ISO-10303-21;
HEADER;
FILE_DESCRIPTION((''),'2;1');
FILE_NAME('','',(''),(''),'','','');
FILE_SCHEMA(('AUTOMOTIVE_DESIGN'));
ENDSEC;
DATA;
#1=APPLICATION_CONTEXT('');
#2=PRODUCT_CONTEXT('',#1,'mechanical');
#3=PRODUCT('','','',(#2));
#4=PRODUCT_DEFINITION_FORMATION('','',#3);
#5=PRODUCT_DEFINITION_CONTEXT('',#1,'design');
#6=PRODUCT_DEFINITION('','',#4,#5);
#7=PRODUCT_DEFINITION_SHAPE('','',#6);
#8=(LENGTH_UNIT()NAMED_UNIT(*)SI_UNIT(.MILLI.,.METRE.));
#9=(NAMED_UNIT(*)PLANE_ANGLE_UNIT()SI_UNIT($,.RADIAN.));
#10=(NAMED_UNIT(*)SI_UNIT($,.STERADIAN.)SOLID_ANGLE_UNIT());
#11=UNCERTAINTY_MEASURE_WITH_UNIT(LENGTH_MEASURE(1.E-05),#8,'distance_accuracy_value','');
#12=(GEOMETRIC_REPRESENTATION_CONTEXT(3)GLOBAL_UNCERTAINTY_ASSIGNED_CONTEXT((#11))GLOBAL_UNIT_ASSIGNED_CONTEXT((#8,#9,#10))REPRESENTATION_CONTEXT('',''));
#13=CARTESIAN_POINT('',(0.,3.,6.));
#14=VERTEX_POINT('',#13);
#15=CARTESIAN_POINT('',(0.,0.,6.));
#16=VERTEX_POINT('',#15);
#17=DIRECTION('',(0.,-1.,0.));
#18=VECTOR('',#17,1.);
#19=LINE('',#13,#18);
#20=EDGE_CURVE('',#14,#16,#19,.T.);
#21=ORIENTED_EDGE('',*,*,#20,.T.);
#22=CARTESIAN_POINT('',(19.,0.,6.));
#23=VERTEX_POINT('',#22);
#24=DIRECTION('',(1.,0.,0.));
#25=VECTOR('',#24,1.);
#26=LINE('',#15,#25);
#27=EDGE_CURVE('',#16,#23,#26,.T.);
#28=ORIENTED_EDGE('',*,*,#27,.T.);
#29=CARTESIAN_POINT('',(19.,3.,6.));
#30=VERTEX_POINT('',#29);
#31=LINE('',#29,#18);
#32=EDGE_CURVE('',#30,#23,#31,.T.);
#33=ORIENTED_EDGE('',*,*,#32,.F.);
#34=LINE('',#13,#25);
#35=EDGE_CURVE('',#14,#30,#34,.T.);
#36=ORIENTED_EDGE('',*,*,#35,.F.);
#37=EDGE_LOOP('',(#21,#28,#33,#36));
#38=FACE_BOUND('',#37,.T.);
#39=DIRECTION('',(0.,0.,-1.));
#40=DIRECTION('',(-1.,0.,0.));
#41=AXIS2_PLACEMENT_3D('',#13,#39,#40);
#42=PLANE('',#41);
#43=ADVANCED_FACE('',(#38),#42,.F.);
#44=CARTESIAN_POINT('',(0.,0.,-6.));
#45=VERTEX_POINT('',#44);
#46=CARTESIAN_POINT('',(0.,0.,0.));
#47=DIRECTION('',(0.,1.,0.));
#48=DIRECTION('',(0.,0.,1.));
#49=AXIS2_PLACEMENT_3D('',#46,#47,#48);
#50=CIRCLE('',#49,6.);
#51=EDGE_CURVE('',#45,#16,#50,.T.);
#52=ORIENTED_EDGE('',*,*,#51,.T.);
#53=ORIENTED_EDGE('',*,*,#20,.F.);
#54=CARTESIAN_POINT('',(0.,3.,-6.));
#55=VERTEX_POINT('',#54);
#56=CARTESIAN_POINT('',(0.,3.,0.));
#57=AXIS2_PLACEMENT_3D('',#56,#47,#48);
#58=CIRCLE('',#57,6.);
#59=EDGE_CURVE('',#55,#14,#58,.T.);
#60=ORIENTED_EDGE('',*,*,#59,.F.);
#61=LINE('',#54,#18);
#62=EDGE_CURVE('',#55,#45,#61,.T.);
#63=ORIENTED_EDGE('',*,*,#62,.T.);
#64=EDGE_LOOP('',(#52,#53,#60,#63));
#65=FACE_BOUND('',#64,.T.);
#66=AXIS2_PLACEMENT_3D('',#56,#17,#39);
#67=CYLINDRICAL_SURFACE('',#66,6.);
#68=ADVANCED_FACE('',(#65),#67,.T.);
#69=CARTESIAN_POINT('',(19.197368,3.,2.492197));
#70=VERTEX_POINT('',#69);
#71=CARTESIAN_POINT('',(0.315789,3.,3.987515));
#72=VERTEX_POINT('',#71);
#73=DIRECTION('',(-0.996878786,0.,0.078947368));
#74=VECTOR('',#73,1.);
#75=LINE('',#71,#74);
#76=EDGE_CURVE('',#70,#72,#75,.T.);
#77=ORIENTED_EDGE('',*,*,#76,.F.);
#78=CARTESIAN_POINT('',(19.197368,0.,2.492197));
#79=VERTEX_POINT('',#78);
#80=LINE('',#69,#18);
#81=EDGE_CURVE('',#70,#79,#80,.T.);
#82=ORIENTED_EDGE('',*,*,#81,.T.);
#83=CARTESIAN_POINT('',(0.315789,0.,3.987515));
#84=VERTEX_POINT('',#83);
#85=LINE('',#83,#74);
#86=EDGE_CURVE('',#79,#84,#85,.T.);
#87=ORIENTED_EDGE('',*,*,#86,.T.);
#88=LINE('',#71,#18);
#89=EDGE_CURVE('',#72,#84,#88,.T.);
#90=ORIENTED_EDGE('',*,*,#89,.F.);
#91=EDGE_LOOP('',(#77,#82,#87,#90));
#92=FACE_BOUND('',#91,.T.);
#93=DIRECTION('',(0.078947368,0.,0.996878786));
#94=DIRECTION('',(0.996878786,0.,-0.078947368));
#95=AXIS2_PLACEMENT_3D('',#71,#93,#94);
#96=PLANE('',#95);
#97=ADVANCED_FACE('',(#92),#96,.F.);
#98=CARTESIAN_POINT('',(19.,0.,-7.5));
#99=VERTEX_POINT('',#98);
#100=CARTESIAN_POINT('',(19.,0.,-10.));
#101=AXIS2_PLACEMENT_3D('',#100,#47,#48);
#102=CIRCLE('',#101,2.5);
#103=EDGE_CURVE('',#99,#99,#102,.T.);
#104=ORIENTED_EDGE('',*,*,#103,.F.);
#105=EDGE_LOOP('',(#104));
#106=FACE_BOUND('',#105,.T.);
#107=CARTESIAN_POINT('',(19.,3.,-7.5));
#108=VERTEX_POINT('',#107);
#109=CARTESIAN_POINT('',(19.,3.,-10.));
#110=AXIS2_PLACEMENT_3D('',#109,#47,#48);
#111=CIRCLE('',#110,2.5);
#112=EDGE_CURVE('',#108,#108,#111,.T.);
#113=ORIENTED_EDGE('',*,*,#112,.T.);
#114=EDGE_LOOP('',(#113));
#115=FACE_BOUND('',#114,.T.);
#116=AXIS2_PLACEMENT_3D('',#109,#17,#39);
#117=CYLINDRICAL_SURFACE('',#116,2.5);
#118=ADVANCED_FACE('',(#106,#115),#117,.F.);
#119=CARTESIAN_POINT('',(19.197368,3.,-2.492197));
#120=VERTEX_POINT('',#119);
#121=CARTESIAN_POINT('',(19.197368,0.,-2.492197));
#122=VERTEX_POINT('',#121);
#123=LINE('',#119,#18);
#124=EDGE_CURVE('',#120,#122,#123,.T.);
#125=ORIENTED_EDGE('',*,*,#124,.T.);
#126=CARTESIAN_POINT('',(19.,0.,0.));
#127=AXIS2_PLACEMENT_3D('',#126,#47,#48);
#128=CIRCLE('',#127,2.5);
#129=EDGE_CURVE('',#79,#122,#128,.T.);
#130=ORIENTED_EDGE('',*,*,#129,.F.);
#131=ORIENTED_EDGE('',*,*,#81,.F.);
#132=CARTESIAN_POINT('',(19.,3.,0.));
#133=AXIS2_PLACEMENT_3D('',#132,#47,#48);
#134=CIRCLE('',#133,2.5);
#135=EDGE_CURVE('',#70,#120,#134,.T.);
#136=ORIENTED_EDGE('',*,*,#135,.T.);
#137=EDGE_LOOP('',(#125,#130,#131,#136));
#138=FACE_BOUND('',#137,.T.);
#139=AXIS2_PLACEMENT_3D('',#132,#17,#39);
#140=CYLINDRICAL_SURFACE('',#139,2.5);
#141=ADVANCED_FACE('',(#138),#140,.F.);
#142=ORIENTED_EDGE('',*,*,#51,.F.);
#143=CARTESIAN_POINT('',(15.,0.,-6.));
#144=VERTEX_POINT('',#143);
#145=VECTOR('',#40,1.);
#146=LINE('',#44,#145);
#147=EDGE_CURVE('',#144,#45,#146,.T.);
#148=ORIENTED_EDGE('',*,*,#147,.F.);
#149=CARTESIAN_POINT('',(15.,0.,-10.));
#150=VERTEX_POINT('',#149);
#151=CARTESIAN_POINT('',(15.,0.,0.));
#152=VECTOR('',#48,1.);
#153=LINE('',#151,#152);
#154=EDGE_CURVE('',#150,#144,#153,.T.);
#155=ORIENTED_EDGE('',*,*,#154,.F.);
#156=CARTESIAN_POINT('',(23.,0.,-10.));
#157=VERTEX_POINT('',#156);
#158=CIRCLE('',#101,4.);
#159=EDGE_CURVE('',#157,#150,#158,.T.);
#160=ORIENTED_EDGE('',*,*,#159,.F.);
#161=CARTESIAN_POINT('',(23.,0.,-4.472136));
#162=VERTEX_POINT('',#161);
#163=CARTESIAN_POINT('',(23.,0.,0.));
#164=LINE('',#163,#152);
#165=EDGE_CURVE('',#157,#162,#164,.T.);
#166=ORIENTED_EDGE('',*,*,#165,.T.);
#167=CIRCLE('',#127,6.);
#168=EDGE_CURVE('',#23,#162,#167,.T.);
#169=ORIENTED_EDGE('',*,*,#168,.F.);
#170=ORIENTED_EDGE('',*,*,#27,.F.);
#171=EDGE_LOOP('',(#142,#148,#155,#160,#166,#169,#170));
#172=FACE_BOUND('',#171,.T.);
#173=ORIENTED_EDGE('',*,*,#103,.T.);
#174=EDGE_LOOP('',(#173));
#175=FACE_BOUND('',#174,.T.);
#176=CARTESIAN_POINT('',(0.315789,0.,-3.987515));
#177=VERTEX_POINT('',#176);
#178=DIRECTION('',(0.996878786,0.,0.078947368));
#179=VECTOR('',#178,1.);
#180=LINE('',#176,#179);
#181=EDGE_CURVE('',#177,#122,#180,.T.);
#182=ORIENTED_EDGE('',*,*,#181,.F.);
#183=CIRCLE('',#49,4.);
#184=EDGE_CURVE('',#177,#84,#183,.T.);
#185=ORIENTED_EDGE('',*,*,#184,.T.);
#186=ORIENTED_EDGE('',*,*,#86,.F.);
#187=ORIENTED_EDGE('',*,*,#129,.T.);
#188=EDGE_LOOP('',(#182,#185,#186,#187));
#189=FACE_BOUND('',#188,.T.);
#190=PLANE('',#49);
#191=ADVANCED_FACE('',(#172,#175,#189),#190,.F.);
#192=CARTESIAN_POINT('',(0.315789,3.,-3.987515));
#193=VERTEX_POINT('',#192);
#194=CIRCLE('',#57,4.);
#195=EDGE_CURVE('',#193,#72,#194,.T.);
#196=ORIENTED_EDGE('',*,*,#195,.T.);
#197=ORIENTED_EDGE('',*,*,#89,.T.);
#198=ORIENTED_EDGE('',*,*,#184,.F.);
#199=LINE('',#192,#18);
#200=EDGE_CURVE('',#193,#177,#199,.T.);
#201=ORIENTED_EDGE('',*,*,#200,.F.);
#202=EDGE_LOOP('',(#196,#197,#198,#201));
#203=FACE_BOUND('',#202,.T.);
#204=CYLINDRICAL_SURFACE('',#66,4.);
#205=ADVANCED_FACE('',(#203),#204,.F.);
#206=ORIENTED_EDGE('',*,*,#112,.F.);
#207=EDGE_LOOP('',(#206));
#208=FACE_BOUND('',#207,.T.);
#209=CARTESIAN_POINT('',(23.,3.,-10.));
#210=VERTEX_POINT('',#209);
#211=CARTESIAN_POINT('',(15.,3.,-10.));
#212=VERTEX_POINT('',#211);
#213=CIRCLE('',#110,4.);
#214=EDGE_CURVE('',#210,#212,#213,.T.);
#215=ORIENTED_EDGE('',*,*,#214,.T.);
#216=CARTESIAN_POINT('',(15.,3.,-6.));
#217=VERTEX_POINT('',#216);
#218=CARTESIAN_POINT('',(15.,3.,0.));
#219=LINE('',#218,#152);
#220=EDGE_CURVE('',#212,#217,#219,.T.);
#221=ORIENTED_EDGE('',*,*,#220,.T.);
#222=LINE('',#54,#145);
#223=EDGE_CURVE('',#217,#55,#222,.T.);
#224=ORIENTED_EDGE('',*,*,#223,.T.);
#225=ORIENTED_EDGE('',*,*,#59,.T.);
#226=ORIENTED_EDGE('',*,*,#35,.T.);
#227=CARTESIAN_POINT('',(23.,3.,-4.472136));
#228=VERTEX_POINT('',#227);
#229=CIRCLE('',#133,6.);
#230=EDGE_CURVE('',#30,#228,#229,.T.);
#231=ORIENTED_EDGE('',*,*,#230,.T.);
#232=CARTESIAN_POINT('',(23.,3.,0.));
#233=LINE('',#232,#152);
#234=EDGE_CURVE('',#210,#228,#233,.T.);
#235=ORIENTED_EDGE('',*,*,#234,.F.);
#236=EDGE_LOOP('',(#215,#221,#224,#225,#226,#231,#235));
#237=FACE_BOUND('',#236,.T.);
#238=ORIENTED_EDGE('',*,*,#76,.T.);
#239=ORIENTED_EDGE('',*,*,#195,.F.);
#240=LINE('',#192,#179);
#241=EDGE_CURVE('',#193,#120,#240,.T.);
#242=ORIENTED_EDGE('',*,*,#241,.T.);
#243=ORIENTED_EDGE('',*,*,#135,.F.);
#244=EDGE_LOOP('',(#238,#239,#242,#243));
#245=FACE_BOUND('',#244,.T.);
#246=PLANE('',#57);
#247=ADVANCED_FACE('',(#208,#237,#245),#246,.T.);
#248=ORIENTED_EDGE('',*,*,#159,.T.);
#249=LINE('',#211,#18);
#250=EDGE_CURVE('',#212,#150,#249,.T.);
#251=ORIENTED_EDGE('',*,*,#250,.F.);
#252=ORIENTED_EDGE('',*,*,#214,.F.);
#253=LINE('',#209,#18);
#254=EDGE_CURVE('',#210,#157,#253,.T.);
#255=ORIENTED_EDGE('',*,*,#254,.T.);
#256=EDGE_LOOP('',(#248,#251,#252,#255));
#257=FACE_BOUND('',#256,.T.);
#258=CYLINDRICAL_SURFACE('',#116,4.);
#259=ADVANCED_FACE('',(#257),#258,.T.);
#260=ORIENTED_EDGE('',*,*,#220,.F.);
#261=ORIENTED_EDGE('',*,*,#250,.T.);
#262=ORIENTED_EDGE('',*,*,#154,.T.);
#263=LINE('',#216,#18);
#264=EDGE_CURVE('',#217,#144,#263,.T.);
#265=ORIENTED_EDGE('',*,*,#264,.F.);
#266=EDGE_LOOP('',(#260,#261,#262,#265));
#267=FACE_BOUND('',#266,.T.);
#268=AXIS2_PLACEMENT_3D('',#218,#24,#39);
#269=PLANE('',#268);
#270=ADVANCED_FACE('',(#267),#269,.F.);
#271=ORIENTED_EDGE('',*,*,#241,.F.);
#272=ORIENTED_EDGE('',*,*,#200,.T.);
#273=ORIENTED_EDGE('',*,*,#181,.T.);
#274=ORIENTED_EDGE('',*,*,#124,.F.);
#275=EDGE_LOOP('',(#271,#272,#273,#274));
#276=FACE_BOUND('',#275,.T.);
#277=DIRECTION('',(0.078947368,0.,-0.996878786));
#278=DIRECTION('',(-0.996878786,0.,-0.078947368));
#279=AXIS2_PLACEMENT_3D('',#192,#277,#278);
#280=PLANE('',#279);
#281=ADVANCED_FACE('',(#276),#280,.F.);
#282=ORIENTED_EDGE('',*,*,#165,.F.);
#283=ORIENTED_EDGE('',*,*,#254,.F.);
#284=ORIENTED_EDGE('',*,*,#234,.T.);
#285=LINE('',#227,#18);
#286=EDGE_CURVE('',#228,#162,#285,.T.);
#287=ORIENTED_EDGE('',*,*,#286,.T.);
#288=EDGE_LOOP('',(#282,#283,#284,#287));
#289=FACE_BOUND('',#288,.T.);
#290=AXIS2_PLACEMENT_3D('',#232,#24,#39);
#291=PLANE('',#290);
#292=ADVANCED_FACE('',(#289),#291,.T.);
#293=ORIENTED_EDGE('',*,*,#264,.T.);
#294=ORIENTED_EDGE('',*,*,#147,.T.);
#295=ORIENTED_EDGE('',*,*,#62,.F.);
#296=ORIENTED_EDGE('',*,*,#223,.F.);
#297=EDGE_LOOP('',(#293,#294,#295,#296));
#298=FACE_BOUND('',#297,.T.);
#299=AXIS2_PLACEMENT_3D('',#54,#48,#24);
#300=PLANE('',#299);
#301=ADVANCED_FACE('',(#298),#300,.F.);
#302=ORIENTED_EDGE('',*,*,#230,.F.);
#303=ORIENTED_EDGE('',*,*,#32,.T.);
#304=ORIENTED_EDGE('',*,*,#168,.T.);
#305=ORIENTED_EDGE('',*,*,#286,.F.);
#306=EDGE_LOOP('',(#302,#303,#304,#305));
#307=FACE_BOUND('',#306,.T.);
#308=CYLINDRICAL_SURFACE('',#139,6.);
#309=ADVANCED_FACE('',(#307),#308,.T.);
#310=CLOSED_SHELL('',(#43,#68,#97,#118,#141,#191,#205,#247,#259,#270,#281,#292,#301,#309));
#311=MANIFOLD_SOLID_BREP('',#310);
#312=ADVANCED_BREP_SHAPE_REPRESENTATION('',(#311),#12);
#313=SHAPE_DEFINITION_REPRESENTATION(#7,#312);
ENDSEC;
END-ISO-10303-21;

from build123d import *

# Parameters (mm, degrees)
SKETCH_1_R      = 2.5
EXTRUDE_1_DEPTH = 3


with BuildPart() as part:
    # 草图1 → 凸台-拉伸1 (new body)
    with BuildSketch(Plane(origin=(0, 0, 0), x_dir=(1, 0, 0), z_dir=(0, 1, 0))):
        with BuildLine():
            ThreePointArc((19, -6), (24.605034154, -2.140932539), (23, 4.472135955))
            Line((23, 4.472135955), (23, 10))
            ThreePointArc((23, 10), (19, 14), (15, 10))
            Line((15, 10), (15, 6))
            Line((15, 6), (0, 6))
            ThreePointArc((0, 6), (-6, 0), (0, -6))
            Line((0, -6), (19, -6))
        make_face()
        with BuildLine():
            ThreePointArc((0.315789474, -3.987515142), (-4, 0), (0.315789474, 3.987515142))
            Line((0.315789474, 3.987515142), (19.197368421, 2.492196964))
            ThreePointArc((19.197368421, 2.492196964), (21.5, 0), (19.197368421, -2.492196964))
            Line((19.197368421, -2.492196964), (0.315789474, -3.987515142))
        make_face(mode=Mode.SUBTRACT)
        with Locations(Location((19, 10, 0), (0, 0, 270))):
            Circle(SKETCH_1_R, mode=Mode.SUBTRACT)
    extrude(amount=EXTRUDE_1_DEPTH)


solid = part.part
